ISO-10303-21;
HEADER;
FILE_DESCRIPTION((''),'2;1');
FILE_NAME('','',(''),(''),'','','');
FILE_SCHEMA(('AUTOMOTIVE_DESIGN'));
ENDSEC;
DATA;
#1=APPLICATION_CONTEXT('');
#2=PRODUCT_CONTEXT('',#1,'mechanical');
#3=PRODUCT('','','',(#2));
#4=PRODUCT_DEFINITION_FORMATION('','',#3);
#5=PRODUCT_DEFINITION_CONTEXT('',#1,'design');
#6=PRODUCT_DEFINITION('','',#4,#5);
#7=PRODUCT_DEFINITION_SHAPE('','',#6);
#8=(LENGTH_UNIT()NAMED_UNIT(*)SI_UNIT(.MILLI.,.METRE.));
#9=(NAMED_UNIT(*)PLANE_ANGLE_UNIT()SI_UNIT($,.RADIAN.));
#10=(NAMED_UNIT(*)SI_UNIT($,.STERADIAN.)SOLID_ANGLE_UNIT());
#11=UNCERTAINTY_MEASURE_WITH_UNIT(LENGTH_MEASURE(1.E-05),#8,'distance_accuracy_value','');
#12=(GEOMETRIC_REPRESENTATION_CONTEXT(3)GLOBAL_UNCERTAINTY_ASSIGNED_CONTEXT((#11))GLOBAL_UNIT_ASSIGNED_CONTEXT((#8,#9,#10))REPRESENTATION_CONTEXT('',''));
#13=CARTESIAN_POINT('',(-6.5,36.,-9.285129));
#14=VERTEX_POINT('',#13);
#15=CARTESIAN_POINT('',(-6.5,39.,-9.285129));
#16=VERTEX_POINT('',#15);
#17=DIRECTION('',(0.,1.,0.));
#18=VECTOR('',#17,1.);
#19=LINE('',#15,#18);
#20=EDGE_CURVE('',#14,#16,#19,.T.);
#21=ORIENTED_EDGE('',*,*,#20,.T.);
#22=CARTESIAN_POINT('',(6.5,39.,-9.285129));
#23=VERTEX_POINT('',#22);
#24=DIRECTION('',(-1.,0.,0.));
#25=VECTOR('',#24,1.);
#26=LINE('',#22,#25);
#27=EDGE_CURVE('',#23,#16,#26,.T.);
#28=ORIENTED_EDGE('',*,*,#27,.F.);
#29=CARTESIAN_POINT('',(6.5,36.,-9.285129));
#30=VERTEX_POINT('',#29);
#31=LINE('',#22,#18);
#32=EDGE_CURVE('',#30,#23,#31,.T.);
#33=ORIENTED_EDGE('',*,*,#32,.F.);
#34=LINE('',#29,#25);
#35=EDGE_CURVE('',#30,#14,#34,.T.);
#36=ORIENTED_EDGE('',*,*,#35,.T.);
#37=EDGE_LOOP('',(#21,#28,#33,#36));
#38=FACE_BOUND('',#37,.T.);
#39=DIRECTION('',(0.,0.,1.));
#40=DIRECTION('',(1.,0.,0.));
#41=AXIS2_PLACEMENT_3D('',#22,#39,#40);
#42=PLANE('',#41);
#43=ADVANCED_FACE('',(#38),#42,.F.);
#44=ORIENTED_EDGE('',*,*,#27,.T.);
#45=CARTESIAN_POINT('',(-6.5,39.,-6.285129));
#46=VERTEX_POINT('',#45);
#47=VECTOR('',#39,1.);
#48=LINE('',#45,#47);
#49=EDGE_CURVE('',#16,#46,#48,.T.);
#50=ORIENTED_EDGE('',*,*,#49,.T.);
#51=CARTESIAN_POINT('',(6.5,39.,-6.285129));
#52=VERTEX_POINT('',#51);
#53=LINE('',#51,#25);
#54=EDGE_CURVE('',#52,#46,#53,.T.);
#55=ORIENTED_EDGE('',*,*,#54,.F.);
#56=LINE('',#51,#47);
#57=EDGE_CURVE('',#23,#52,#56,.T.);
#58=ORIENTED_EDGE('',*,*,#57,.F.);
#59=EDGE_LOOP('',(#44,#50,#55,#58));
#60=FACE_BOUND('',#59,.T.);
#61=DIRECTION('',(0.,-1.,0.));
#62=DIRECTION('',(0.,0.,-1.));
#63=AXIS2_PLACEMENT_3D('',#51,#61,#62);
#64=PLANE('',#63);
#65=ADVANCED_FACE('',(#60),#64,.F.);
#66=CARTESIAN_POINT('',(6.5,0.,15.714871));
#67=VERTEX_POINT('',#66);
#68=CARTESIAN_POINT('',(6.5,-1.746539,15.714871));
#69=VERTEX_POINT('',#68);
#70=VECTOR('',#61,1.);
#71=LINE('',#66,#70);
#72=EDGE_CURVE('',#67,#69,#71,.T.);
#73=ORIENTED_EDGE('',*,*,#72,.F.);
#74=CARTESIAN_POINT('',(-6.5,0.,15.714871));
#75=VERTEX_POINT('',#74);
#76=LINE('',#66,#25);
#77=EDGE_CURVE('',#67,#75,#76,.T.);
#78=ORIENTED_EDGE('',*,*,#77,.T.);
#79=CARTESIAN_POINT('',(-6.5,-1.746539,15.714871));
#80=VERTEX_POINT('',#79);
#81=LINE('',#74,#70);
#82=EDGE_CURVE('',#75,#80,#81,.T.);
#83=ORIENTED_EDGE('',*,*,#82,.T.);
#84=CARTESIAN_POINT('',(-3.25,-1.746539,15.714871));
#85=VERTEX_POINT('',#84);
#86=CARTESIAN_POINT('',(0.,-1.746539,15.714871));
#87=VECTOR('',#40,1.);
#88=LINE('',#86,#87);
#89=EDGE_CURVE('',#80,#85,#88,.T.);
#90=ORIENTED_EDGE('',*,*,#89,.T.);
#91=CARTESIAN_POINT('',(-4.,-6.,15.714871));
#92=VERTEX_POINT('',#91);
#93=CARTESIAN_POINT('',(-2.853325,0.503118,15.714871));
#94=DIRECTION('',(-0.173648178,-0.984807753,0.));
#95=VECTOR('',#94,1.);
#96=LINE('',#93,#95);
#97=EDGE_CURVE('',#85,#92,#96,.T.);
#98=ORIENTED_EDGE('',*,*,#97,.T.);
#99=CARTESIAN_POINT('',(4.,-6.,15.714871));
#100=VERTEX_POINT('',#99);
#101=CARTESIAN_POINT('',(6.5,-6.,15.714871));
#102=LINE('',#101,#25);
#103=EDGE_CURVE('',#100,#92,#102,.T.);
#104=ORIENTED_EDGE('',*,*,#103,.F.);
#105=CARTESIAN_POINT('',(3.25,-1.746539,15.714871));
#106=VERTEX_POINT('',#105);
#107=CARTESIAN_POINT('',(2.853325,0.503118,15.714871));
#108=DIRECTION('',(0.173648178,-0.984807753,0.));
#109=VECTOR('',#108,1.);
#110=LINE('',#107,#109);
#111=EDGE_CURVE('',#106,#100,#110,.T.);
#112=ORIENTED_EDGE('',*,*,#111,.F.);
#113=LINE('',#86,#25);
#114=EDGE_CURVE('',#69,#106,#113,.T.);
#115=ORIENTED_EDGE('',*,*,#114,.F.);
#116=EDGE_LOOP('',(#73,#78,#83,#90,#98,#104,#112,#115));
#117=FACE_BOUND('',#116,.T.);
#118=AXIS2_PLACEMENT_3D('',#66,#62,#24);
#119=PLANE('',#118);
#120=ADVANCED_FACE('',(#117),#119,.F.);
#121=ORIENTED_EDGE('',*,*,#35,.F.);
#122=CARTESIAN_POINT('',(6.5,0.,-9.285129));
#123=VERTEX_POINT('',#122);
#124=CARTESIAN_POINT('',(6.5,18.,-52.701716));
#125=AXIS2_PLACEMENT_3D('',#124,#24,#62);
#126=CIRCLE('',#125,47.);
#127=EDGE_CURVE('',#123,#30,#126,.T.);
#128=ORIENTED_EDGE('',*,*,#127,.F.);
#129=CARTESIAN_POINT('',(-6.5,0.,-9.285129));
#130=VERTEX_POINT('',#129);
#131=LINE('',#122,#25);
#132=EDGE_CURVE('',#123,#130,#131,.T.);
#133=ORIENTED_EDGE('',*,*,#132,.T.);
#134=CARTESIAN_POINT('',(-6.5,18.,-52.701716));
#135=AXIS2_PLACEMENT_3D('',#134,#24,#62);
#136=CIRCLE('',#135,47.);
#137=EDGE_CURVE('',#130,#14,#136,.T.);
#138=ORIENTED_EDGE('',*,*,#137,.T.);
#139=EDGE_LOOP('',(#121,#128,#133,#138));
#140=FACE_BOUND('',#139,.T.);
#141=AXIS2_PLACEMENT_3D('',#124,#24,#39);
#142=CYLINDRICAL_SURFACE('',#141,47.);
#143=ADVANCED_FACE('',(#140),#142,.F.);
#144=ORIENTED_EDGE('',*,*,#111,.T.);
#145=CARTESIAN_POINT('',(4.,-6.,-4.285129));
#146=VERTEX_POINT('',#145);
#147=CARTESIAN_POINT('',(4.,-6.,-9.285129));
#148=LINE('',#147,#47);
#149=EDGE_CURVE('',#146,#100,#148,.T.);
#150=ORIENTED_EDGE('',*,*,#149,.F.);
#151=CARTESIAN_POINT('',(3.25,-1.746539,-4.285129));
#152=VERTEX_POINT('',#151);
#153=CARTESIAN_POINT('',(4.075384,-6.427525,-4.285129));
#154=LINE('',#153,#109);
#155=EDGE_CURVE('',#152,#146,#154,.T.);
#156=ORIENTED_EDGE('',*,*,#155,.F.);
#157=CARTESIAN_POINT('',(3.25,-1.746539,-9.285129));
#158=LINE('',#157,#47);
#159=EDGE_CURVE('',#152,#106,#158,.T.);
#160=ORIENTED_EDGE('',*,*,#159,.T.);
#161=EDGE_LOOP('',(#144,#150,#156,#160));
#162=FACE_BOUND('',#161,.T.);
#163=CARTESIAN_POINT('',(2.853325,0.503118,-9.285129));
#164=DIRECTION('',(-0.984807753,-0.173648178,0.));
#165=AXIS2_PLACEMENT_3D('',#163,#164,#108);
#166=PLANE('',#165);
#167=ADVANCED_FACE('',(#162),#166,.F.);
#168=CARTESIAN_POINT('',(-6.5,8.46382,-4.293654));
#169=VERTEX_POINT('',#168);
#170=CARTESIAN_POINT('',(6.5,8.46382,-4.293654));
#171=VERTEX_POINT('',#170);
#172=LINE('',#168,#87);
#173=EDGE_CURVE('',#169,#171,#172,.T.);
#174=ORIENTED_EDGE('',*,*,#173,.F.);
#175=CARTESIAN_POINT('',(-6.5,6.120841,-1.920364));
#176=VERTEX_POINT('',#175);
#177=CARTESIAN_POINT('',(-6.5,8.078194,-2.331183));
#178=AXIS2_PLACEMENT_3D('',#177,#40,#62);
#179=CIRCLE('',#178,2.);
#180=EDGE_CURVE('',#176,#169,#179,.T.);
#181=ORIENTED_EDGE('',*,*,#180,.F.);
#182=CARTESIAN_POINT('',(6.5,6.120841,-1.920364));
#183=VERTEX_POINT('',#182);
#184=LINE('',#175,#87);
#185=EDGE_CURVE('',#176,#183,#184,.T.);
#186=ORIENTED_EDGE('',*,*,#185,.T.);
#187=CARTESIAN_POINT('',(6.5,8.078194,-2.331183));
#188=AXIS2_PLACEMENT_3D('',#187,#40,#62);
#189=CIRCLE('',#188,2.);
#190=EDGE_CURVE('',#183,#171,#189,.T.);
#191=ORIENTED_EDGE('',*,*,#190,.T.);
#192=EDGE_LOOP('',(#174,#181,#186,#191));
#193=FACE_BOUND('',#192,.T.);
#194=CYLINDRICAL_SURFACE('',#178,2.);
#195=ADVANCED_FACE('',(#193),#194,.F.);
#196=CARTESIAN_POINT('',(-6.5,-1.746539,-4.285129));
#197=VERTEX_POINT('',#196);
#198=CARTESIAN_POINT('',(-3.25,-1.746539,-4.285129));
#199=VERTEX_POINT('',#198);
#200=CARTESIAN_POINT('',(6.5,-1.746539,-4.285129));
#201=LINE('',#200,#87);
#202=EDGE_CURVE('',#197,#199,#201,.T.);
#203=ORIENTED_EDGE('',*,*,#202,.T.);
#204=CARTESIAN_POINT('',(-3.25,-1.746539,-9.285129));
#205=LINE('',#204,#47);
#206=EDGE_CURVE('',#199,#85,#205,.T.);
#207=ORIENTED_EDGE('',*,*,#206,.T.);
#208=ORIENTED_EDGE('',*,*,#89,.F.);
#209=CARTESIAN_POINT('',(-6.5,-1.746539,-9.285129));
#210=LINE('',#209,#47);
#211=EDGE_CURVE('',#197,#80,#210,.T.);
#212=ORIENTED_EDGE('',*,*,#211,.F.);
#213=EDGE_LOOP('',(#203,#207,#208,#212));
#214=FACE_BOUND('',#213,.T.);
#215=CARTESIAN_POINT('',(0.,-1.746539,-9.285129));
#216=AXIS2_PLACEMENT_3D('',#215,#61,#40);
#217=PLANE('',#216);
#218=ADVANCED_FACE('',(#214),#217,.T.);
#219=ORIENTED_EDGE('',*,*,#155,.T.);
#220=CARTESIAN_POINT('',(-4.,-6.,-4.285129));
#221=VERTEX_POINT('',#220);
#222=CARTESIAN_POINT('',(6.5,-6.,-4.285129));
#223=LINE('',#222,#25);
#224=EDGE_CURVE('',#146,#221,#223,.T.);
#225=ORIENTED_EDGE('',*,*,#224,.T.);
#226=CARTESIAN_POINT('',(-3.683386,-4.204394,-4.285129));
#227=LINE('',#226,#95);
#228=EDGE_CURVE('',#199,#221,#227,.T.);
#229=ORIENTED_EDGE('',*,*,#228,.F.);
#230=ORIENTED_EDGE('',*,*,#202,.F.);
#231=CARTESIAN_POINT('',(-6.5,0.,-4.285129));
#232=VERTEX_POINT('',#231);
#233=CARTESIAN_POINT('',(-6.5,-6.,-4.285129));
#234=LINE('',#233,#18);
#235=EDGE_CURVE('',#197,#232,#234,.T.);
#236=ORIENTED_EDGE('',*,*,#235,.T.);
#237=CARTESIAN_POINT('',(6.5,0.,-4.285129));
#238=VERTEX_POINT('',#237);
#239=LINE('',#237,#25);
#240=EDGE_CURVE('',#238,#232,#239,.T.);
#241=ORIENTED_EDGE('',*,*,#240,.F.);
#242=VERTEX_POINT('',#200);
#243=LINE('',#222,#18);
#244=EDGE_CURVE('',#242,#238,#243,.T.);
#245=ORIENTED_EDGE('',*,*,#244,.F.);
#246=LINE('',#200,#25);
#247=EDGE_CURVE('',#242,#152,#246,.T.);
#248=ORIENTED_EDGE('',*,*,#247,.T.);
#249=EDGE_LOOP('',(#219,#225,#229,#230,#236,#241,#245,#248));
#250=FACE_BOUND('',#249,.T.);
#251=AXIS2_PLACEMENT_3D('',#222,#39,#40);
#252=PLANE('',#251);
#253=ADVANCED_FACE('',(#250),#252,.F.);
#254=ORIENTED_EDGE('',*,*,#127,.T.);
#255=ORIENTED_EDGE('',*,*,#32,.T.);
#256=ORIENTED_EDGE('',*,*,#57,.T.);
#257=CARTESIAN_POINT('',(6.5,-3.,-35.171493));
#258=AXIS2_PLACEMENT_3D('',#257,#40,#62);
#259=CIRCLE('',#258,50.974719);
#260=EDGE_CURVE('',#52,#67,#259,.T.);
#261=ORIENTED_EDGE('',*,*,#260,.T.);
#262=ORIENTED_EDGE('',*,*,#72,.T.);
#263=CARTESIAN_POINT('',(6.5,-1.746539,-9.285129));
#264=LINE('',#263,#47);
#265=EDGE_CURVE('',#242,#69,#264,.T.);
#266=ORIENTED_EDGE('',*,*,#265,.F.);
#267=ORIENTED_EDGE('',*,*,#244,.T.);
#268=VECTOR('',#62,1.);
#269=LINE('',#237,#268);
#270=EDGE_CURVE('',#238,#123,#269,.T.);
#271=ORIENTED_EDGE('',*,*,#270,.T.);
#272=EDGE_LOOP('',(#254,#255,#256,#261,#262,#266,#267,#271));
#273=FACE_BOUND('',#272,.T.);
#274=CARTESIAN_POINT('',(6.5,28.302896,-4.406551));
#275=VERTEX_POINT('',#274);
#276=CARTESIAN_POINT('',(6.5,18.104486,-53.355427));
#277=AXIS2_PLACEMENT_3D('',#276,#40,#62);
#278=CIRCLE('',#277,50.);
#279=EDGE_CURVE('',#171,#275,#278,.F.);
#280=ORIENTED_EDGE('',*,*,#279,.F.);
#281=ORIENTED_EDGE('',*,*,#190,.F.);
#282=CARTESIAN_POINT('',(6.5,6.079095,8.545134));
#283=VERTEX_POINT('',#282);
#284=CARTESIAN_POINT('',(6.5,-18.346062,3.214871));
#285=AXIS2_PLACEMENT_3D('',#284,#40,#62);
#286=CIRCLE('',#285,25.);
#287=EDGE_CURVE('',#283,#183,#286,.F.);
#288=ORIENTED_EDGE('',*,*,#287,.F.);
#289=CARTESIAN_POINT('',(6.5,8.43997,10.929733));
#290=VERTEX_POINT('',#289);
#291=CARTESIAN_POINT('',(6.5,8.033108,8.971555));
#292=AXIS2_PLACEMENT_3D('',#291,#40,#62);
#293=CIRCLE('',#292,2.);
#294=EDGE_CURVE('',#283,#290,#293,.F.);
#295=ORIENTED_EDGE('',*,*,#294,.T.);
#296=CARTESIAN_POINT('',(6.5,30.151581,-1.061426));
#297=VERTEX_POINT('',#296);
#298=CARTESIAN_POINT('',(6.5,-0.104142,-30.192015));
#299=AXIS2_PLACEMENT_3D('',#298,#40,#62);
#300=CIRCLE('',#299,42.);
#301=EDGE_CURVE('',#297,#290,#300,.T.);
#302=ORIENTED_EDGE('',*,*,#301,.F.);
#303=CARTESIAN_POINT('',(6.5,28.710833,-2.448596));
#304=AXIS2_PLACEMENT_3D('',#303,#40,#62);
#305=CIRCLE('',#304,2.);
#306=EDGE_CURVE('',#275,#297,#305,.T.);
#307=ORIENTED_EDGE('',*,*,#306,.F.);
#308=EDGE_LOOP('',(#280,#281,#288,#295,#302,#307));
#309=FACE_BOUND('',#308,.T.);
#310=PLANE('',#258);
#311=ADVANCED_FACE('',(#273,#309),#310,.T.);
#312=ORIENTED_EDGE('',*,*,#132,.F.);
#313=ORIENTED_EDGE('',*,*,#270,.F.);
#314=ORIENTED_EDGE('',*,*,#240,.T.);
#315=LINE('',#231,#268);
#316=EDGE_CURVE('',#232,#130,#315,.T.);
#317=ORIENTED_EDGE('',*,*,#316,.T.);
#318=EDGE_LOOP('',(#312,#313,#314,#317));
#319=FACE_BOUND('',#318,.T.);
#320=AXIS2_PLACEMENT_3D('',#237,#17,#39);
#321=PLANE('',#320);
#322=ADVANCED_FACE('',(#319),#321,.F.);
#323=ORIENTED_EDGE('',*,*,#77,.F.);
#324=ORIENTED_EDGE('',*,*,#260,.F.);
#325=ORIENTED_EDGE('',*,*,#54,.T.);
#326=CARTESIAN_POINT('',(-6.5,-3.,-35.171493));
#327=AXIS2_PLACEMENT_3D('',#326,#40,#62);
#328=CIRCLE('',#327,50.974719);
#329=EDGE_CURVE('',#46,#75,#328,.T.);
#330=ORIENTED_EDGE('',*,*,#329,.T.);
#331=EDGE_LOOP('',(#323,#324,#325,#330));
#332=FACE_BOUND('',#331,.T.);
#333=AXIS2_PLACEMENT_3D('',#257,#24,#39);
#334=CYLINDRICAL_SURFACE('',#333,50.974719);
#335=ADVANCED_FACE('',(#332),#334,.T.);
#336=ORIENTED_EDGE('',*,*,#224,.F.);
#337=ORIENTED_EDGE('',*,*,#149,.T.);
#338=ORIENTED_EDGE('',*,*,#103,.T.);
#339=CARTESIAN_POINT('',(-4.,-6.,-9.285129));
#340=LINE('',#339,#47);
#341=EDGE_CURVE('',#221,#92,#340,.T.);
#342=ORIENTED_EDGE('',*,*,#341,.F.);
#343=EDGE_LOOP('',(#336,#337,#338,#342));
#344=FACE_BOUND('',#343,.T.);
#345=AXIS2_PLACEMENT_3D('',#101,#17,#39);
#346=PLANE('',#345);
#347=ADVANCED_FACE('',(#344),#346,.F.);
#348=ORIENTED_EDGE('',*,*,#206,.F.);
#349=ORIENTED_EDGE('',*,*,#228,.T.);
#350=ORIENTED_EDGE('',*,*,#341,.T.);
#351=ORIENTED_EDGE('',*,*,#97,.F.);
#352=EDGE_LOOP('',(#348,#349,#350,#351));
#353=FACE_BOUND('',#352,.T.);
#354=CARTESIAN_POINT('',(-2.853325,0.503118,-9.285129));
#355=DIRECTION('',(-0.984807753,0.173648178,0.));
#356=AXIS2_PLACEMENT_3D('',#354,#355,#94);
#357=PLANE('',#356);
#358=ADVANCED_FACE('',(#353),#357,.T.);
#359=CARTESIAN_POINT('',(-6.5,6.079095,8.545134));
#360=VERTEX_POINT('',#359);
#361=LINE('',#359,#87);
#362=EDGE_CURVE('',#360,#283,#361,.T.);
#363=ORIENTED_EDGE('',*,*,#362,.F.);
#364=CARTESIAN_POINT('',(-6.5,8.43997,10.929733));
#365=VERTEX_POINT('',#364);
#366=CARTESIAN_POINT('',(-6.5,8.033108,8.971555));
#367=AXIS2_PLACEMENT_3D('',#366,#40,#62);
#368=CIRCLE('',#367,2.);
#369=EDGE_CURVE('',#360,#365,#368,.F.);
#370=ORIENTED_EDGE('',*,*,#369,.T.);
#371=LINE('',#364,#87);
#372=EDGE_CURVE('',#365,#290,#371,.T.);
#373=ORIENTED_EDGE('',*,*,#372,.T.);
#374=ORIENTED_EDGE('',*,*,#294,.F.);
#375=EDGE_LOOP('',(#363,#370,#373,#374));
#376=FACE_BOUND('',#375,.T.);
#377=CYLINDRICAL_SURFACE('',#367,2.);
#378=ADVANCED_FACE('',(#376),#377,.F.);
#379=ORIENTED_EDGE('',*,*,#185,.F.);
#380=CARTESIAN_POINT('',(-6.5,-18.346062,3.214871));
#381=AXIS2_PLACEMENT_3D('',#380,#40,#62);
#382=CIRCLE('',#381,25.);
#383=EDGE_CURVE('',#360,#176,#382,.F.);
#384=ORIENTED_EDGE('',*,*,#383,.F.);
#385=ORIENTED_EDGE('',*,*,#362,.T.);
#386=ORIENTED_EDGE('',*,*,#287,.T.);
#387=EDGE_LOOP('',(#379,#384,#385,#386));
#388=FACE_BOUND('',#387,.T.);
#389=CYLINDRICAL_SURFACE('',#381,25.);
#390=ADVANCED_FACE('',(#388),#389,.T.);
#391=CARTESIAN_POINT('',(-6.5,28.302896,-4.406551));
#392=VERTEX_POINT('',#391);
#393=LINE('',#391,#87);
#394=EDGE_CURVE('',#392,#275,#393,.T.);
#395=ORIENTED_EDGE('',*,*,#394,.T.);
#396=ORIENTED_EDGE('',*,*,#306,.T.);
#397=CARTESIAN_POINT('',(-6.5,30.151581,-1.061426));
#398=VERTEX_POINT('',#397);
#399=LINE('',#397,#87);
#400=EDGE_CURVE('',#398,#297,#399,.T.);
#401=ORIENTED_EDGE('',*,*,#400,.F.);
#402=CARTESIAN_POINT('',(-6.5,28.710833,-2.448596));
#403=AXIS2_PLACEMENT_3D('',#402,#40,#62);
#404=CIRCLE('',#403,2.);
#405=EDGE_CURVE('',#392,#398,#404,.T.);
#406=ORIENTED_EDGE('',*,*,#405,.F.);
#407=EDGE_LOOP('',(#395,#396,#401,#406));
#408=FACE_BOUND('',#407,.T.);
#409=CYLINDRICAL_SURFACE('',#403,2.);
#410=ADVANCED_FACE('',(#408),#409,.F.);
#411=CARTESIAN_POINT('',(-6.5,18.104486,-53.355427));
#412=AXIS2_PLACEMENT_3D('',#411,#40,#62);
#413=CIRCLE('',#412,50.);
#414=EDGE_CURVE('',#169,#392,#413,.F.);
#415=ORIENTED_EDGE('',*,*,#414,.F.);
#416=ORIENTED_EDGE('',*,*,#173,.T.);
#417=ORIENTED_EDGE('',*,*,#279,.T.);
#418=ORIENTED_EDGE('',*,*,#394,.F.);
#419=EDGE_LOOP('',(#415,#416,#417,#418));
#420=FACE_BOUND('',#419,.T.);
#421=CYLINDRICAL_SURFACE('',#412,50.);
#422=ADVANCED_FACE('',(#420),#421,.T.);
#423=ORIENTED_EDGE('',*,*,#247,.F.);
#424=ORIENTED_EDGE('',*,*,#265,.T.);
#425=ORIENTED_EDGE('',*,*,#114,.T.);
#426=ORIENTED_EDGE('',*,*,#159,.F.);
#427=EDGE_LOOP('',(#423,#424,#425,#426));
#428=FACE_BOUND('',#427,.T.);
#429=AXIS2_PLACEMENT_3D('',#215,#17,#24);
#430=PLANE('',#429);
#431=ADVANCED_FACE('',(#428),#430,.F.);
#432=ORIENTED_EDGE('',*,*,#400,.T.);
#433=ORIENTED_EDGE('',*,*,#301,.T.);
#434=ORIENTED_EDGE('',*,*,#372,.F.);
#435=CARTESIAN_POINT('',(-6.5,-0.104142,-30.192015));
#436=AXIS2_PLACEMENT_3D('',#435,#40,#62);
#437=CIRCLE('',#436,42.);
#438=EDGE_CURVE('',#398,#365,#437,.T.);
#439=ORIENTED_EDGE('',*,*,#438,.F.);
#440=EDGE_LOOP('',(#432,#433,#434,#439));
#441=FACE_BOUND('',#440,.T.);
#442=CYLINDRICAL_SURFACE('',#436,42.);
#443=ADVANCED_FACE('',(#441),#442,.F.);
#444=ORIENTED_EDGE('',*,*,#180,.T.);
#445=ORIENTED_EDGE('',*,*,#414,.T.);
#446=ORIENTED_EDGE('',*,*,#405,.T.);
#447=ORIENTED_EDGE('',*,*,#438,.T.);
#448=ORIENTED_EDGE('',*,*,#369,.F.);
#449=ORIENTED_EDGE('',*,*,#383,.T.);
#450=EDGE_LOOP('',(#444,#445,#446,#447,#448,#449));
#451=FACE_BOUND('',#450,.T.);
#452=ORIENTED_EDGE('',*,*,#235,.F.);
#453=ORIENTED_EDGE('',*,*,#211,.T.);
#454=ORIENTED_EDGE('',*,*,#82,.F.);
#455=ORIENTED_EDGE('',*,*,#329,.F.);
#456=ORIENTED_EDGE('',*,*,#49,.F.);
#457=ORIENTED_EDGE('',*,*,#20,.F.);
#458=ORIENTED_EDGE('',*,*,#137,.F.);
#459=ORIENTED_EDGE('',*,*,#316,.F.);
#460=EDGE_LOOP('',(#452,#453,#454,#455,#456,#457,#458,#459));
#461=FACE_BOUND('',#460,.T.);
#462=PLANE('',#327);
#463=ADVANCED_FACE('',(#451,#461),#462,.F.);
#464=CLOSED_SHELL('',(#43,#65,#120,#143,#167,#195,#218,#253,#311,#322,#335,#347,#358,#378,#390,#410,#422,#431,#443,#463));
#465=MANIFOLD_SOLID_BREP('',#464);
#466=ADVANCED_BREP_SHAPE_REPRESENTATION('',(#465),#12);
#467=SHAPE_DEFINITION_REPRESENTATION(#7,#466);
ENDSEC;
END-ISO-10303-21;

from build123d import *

# Parameters (mm, degrees)
BOSS_EXTRUDE2_DEPTH = 6.5
CUT_EXTRUDE1_DEPTH  = 47.778734485
CUT_EXTRUDE2_DEPTH  = 45.010875493


with BuildPart() as part:
    # Sketch2 → Boss-Extrude2 (new, symmetric)
    with BuildSketch(Plane(origin=(0, 0, 0), x_dir=(0, 0, -1), z_dir=(1, 0, 0))):
        with BuildLine():
            Line((-15.714870718, 0), (-15.714870718, -6))
            Line((-15.714870718, -6), (4.285129282, -6))
            Line((4.285129282, -6), (4.285129282, 0))
            Line((4.285129282, 0), (9.285129282, 0))
            ThreePointArc((9.285129282, 0), (5.701715974, 18), (9.285129282, 36))
            Line((9.285129282, 36), (9.285129282, 39))
            Line((9.285129282, 39), (6.285129282, 39))
            ThreePointArc((6.285129282, 39), (-9.226389961, 22.044959573), (-15.714870718, 0))
        make_face()
    extrude(amount=BOSS_EXTRUDE2_DEPTH, both=True)

    # Sketch3 → Cut-Extrude1 (cut, through all)
    with BuildSketch(Plane.XY.offset(15.714870718)):
        Polygon((6.5, -6), (6.5, -1.746538635), (3.25, -1.746538635), (4, -6), align=None)
        Polygon((-6.5, -6), (-4, -6), (-3.25, -1.746538635), (-6.5, -1.746538635), align=None)
    extrude(amount=-CUT_EXTRUDE1_DEPTH, mode=Mode.SUBTRACT)

    # Sketch4 → Cut-Extrude2 (cut, through all)
    with BuildSketch(Plane(origin=(6.5, 0, 0), x_dir=(0, 0, -1), z_dir=(1, 0, 0))):
        with BuildLine():
            ThreePointArc((4.293654014, 8.463820333), (3.356236623, 18.389014044), (4.406551478, 28.302896243))
            ThreePointArc((4.406551478, 28.302896243), (3.415993904, 30.4613018), (1.061425552, 30.151581393))
            ThreePointArc((1.061425552, 30.151581393), (-6.57340708, 20.201122888), (-10.929733391, 8.439970103))
            ThreePointArc((-10.929733391, 8.439970103), (-10.378680687, 6.611841621), (-8.545133867, 6.07909507))
            ThreePointArc((-8.545133867, 6.07909507), (-3.314593754, 6.65373917), (1.920364292, 6.120841452))
            ThreePointArc((1.920364292, 6.120841452), (3.736278671, 6.654920589), (4.293654014, 8.463820333))
        make_face()
    extrude(amount=-CUT_EXTRUDE2_DEPTH, mode=Mode.SUBTRACT)


solid = part.part
